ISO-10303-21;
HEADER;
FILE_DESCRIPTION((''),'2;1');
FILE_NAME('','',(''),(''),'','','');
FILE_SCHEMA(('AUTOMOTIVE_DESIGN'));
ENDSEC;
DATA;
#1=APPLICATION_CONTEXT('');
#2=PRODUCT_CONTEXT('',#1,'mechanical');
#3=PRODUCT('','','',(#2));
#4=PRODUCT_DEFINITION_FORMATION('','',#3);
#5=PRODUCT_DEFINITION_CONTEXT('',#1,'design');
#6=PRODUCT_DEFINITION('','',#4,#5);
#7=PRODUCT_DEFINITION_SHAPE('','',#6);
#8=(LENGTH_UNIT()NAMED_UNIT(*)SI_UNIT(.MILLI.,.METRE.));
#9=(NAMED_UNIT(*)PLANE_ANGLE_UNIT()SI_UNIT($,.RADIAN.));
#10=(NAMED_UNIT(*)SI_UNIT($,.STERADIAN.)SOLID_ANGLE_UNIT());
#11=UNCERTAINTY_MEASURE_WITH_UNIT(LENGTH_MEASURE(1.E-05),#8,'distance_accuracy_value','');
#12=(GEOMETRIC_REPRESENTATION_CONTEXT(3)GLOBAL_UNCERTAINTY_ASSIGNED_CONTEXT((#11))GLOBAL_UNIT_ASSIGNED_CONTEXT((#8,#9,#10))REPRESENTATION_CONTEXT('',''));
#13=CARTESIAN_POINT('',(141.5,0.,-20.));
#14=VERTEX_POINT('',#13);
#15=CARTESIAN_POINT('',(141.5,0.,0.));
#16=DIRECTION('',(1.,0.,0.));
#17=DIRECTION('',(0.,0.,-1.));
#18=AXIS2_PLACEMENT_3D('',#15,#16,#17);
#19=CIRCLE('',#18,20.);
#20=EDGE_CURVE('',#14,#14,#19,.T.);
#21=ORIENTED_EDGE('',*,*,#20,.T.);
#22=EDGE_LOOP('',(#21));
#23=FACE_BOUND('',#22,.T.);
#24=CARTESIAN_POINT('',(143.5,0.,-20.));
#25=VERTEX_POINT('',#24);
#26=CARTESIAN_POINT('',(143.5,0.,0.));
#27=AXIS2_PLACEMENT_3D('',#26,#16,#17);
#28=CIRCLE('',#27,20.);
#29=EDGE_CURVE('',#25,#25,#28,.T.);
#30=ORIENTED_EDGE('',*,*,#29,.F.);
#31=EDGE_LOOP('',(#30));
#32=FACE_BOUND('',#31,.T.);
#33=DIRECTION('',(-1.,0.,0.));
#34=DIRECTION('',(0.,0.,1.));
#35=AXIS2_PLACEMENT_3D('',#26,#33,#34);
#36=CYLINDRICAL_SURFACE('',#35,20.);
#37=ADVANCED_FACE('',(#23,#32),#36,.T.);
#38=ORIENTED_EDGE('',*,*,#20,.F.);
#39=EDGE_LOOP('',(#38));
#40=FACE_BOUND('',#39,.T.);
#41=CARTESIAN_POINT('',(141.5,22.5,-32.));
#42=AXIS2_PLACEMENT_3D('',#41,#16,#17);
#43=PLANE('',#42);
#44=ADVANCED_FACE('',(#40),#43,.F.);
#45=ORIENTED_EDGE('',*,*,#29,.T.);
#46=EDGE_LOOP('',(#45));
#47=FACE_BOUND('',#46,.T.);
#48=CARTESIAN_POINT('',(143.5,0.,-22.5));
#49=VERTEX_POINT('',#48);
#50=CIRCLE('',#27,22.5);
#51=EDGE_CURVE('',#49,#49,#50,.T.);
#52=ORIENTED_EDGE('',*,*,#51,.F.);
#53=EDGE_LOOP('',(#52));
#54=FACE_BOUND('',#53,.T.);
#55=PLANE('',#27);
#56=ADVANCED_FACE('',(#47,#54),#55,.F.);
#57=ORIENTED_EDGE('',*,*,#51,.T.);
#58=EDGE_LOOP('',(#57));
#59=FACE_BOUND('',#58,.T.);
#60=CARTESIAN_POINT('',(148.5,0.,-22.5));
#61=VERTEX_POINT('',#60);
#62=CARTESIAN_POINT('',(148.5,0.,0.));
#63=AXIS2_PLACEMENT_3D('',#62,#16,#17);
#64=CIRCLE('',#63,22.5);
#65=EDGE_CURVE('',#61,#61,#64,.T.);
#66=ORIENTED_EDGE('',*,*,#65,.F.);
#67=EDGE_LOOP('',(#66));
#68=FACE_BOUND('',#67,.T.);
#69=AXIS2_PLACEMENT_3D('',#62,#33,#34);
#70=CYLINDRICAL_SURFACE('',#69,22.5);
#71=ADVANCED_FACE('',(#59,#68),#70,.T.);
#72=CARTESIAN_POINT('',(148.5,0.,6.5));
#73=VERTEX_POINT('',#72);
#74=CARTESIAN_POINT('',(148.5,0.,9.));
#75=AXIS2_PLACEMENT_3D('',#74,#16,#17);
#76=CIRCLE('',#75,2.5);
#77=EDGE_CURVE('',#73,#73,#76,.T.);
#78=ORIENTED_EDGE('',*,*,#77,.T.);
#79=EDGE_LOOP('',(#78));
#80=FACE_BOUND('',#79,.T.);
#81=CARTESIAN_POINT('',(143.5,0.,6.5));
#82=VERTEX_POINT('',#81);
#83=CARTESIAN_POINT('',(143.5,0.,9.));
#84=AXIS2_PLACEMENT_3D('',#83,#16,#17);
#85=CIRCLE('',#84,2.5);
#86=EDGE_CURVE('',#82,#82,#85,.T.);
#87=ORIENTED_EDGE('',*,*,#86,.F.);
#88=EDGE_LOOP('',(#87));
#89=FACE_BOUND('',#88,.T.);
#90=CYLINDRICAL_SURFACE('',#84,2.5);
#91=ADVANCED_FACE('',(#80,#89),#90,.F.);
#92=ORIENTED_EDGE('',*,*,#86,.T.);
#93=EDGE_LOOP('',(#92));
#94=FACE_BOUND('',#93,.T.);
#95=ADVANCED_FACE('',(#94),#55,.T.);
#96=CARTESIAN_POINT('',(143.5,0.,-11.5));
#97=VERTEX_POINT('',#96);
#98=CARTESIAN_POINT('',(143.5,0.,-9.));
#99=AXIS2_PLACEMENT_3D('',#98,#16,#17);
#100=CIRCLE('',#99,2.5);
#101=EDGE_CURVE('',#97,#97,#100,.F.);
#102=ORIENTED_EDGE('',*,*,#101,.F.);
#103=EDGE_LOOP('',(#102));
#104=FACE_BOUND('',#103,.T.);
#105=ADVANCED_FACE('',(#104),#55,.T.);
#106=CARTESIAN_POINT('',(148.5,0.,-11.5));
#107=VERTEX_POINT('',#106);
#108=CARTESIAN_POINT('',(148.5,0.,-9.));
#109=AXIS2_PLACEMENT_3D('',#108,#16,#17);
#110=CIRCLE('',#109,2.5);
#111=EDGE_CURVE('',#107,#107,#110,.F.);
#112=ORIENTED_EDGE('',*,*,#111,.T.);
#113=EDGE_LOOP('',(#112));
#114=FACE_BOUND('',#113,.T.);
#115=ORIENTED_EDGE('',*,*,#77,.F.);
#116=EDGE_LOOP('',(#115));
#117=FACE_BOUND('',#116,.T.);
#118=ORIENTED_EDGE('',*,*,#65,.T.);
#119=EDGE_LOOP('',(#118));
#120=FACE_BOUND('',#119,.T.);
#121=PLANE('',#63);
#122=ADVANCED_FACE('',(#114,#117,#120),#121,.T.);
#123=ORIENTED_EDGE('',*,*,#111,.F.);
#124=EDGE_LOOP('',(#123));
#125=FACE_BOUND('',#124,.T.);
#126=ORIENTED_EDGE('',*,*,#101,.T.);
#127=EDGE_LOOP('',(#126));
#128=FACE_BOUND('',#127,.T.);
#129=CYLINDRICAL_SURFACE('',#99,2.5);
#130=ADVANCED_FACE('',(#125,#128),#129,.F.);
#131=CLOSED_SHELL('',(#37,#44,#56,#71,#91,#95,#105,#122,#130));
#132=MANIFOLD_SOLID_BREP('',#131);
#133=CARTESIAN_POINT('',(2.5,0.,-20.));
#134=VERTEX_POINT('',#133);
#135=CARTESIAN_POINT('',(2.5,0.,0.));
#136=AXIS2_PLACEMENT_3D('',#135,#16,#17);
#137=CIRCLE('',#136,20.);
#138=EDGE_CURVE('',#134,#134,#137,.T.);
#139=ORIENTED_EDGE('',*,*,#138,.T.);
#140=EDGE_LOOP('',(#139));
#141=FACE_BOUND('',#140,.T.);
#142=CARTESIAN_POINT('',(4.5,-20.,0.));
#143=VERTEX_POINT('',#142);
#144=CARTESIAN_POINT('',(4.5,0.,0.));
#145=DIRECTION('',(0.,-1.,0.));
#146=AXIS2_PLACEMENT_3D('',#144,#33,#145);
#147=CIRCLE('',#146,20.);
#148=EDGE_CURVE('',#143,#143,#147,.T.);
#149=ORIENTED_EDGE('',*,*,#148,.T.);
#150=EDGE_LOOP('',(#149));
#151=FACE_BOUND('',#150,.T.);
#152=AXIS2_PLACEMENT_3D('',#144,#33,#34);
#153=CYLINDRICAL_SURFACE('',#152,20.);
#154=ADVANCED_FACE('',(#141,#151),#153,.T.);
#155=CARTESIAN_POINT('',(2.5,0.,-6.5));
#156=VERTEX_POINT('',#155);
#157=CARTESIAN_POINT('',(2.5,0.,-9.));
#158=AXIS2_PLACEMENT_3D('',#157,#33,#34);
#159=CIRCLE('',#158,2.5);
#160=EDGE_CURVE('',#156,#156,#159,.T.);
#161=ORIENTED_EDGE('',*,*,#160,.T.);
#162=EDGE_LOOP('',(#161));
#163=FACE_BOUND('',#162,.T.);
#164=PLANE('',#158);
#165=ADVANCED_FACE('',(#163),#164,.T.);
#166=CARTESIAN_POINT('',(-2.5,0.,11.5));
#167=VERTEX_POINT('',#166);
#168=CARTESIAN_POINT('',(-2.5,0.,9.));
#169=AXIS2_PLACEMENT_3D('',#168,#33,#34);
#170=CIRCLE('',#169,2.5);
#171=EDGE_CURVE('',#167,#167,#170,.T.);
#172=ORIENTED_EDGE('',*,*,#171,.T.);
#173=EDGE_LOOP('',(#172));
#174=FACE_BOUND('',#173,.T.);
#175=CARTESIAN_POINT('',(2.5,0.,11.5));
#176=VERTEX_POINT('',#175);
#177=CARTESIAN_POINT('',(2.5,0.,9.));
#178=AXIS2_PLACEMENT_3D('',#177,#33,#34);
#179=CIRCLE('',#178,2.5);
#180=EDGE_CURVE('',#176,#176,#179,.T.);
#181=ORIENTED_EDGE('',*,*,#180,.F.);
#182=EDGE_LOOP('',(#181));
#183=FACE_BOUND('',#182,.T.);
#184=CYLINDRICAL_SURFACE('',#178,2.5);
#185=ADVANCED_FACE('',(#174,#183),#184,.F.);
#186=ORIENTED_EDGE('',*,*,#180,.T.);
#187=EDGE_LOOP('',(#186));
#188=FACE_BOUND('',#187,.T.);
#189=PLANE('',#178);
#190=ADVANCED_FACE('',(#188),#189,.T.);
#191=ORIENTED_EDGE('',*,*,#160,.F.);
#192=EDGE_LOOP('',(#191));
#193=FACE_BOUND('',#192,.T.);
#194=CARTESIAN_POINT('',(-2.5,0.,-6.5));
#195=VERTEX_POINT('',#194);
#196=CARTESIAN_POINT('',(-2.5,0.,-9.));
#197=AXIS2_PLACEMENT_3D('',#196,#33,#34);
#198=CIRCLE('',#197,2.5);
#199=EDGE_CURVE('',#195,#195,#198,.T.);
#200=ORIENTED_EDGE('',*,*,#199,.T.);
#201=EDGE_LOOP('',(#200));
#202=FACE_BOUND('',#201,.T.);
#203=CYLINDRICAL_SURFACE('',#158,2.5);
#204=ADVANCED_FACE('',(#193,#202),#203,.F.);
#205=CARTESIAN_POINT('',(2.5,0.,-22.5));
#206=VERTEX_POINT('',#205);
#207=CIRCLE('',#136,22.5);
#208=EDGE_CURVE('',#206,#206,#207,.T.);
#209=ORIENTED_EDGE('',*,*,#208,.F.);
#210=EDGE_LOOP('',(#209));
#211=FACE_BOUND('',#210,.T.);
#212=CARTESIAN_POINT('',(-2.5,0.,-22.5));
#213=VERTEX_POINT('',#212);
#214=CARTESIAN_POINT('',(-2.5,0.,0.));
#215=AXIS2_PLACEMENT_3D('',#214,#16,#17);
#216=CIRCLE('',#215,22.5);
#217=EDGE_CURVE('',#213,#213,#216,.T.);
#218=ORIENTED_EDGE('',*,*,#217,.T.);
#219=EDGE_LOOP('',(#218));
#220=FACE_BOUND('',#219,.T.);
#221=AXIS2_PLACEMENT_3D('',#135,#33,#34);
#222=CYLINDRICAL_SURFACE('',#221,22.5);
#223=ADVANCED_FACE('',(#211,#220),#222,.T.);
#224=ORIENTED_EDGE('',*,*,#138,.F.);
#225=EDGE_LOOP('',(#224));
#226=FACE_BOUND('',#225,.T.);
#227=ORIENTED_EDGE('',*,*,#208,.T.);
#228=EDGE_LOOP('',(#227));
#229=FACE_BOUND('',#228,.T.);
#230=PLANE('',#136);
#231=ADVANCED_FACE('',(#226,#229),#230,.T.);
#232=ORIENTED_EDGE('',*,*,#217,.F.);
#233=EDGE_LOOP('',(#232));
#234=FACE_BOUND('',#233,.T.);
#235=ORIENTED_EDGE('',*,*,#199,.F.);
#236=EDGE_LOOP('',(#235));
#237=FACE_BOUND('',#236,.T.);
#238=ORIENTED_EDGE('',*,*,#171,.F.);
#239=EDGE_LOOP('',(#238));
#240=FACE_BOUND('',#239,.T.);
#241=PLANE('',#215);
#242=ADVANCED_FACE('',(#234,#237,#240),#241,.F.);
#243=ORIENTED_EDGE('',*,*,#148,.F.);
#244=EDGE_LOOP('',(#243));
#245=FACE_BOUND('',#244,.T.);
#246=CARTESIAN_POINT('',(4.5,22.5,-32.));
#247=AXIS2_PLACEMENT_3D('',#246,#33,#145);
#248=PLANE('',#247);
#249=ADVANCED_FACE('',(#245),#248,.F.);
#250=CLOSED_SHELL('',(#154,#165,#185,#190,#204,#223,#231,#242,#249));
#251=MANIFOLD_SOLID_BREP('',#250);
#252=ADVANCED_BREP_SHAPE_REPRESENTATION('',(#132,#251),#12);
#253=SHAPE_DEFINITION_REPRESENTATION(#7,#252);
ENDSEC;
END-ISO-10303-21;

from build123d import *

# Parameters (mm, degrees)
SKETCH1_R           = 22.5
BOSS_EXTRUDE1_DEPTH = 2.5
SKETCH2_R           = 20
BOSS_EXTRUDE2_DEPTH = 2
BOSS_EXTRUDE3_START = 66
SKETCH3_R           = 22.5
BOSS_EXTRUDE3_DEPTH = 66
SKETCH4_R           = 12.5
BOSS_EXTRUDE4_DEPTH = 5
BOSS_EXTRUDE5_START = 66
SKETCH5_R           = 22.5
BOSS_EXTRUDE5_DEPTH = 66
SKETCH6_R           = 20
BOSS_EXTRUDE6_DEPTH = 2
BOSS_EXTRUDE7_START = 5
SKETCH7_R           = 22.5
BOSS_EXTRUDE7_DEPTH = 5
SKETCH8_R           = 2.5
CUT_EXTRUDE1_DEPTH  = 5
CUT_EXTRUDE2_START  = -5
SKETCH9_R           = 2.5
CUT_EXTRUDE2_DEPTH  = 5
SKETCH10_W          = 137
SKETCH10_H          = 45
CUT_EXTRUDE4_DEPTH  = 32


with BuildPart() as part:
    # Sketch1 → Boss-Extrude1 (new, symmetric)
    with BuildSketch(Plane(origin=(0, 0, 0), x_dir=(0, 0, -1), z_dir=(1, 0, 0))):
        Circle(SKETCH1_R)
    extrude(amount=BOSS_EXTRUDE1_DEPTH, both=True)

    # Sketch2 → Boss-Extrude2 (add)
    with BuildSketch(Plane(origin=(2.5, 0, 0), x_dir=(0, 0, -1), z_dir=(1, 0, 0))):
        Circle(SKETCH2_R)
    extrude(amount=BOSS_EXTRUDE2_DEPTH)

    # Sketch3 → Boss-Extrude3 (add)
    with BuildSketch(Plane(origin=(4.5, 0, 0), x_dir=(0, 0, -1), z_dir=(1, 0, 0)).offset(BOSS_EXTRUDE3_START)):
        Circle(SKETCH3_R)
    extrude(amount=-BOSS_EXTRUDE3_DEPTH)

    # Sketch4 → Boss-Extrude4 (add)
    with BuildSketch(Plane(origin=(70.5, 0, 0), x_dir=(0, 0, -1), z_dir=(1, 0, 0))):
        Circle(SKETCH4_R)
    extrude(amount=BOSS_EXTRUDE4_DEPTH)

    # Sketch5 → Boss-Extrude5 (add)
    with BuildSketch(Plane(origin=(75.5, 0, 0), x_dir=(0, 0, -1), z_dir=(1, 0, 0)).offset(BOSS_EXTRUDE5_START)):
        Circle(SKETCH5_R)
    extrude(amount=-BOSS_EXTRUDE5_DEPTH)

    # Sketch6 → Boss-Extrude6 (add)
    with BuildSketch(Plane(origin=(141.5, 0, 0), x_dir=(0, 0, -1), z_dir=(1, 0, 0))):
        Circle(SKETCH6_R)
    extrude(amount=BOSS_EXTRUDE6_DEPTH)

    # Sketch7 → Boss-Extrude7 (add)
    with BuildSketch(Plane(origin=(143.5, 0, 0), x_dir=(0, 0, -1), z_dir=(1, 0, 0)).offset(BOSS_EXTRUDE7_START)):
        Circle(SKETCH7_R)
    extrude(amount=-BOSS_EXTRUDE7_DEPTH)

    # Sketch8 → Cut-Extrude1 (cut)
    with BuildSketch(Plane(origin=(148.5, 0, 0), x_dir=(0, 0, -1), z_dir=(1, 0, 0))):
        with Locations((-9, 0)):
            Circle(SKETCH8_R)
        with Locations((9, 0)):
            Circle(SKETCH8_R)
    extrude(amount=-CUT_EXTRUDE1_DEPTH, mode=Mode.SUBTRACT)

    # Sketch9 → Cut-Extrude2 (cut)
    with BuildSketch(Plane.ZY.offset(2.5).offset(CUT_EXTRUDE2_START)):
        with Locations(Location((-9, 0, 0), (0, 0, 180))):
            Circle(SKETCH9_R)
        with Locations(Location((9, 0, 0), (0, 0, 180))):
            Circle(SKETCH9_R)
    extrude(amount=CUT_EXTRUDE2_DEPTH, mode=Mode.SUBTRACT)

    # Sketch10 → Cut-Extrude4 (cut, symmetric)
    with BuildSketch(Plane.XY):
        with Locations((73, 0)):
            Rectangle(SKETCH10_W, SKETCH10_H)
    extrude(amount=CUT_EXTRUDE4_DEPTH, both=True, mode=Mode.SUBTRACT)


with BuildPart() as cut_extrude4_piece_1:
    # of the separate pieces the step leaves, piece 1, a body of its own (cut_extrude4_pieces)
    add(part.part.solids().sort_by_distance((2.5, 0, -20))[0])


with BuildPart() as cut_extrude4_piece_2:
    # of the separate pieces the step leaves, piece 2, a body of its own (cut_extrude4_pieces)
    add(part.part.solids().sort_by_distance((148.5, 0, -22.5))[0])


solid = Compound([cut_extrude4_piece_1.part, cut_extrude4_piece_2.part])
